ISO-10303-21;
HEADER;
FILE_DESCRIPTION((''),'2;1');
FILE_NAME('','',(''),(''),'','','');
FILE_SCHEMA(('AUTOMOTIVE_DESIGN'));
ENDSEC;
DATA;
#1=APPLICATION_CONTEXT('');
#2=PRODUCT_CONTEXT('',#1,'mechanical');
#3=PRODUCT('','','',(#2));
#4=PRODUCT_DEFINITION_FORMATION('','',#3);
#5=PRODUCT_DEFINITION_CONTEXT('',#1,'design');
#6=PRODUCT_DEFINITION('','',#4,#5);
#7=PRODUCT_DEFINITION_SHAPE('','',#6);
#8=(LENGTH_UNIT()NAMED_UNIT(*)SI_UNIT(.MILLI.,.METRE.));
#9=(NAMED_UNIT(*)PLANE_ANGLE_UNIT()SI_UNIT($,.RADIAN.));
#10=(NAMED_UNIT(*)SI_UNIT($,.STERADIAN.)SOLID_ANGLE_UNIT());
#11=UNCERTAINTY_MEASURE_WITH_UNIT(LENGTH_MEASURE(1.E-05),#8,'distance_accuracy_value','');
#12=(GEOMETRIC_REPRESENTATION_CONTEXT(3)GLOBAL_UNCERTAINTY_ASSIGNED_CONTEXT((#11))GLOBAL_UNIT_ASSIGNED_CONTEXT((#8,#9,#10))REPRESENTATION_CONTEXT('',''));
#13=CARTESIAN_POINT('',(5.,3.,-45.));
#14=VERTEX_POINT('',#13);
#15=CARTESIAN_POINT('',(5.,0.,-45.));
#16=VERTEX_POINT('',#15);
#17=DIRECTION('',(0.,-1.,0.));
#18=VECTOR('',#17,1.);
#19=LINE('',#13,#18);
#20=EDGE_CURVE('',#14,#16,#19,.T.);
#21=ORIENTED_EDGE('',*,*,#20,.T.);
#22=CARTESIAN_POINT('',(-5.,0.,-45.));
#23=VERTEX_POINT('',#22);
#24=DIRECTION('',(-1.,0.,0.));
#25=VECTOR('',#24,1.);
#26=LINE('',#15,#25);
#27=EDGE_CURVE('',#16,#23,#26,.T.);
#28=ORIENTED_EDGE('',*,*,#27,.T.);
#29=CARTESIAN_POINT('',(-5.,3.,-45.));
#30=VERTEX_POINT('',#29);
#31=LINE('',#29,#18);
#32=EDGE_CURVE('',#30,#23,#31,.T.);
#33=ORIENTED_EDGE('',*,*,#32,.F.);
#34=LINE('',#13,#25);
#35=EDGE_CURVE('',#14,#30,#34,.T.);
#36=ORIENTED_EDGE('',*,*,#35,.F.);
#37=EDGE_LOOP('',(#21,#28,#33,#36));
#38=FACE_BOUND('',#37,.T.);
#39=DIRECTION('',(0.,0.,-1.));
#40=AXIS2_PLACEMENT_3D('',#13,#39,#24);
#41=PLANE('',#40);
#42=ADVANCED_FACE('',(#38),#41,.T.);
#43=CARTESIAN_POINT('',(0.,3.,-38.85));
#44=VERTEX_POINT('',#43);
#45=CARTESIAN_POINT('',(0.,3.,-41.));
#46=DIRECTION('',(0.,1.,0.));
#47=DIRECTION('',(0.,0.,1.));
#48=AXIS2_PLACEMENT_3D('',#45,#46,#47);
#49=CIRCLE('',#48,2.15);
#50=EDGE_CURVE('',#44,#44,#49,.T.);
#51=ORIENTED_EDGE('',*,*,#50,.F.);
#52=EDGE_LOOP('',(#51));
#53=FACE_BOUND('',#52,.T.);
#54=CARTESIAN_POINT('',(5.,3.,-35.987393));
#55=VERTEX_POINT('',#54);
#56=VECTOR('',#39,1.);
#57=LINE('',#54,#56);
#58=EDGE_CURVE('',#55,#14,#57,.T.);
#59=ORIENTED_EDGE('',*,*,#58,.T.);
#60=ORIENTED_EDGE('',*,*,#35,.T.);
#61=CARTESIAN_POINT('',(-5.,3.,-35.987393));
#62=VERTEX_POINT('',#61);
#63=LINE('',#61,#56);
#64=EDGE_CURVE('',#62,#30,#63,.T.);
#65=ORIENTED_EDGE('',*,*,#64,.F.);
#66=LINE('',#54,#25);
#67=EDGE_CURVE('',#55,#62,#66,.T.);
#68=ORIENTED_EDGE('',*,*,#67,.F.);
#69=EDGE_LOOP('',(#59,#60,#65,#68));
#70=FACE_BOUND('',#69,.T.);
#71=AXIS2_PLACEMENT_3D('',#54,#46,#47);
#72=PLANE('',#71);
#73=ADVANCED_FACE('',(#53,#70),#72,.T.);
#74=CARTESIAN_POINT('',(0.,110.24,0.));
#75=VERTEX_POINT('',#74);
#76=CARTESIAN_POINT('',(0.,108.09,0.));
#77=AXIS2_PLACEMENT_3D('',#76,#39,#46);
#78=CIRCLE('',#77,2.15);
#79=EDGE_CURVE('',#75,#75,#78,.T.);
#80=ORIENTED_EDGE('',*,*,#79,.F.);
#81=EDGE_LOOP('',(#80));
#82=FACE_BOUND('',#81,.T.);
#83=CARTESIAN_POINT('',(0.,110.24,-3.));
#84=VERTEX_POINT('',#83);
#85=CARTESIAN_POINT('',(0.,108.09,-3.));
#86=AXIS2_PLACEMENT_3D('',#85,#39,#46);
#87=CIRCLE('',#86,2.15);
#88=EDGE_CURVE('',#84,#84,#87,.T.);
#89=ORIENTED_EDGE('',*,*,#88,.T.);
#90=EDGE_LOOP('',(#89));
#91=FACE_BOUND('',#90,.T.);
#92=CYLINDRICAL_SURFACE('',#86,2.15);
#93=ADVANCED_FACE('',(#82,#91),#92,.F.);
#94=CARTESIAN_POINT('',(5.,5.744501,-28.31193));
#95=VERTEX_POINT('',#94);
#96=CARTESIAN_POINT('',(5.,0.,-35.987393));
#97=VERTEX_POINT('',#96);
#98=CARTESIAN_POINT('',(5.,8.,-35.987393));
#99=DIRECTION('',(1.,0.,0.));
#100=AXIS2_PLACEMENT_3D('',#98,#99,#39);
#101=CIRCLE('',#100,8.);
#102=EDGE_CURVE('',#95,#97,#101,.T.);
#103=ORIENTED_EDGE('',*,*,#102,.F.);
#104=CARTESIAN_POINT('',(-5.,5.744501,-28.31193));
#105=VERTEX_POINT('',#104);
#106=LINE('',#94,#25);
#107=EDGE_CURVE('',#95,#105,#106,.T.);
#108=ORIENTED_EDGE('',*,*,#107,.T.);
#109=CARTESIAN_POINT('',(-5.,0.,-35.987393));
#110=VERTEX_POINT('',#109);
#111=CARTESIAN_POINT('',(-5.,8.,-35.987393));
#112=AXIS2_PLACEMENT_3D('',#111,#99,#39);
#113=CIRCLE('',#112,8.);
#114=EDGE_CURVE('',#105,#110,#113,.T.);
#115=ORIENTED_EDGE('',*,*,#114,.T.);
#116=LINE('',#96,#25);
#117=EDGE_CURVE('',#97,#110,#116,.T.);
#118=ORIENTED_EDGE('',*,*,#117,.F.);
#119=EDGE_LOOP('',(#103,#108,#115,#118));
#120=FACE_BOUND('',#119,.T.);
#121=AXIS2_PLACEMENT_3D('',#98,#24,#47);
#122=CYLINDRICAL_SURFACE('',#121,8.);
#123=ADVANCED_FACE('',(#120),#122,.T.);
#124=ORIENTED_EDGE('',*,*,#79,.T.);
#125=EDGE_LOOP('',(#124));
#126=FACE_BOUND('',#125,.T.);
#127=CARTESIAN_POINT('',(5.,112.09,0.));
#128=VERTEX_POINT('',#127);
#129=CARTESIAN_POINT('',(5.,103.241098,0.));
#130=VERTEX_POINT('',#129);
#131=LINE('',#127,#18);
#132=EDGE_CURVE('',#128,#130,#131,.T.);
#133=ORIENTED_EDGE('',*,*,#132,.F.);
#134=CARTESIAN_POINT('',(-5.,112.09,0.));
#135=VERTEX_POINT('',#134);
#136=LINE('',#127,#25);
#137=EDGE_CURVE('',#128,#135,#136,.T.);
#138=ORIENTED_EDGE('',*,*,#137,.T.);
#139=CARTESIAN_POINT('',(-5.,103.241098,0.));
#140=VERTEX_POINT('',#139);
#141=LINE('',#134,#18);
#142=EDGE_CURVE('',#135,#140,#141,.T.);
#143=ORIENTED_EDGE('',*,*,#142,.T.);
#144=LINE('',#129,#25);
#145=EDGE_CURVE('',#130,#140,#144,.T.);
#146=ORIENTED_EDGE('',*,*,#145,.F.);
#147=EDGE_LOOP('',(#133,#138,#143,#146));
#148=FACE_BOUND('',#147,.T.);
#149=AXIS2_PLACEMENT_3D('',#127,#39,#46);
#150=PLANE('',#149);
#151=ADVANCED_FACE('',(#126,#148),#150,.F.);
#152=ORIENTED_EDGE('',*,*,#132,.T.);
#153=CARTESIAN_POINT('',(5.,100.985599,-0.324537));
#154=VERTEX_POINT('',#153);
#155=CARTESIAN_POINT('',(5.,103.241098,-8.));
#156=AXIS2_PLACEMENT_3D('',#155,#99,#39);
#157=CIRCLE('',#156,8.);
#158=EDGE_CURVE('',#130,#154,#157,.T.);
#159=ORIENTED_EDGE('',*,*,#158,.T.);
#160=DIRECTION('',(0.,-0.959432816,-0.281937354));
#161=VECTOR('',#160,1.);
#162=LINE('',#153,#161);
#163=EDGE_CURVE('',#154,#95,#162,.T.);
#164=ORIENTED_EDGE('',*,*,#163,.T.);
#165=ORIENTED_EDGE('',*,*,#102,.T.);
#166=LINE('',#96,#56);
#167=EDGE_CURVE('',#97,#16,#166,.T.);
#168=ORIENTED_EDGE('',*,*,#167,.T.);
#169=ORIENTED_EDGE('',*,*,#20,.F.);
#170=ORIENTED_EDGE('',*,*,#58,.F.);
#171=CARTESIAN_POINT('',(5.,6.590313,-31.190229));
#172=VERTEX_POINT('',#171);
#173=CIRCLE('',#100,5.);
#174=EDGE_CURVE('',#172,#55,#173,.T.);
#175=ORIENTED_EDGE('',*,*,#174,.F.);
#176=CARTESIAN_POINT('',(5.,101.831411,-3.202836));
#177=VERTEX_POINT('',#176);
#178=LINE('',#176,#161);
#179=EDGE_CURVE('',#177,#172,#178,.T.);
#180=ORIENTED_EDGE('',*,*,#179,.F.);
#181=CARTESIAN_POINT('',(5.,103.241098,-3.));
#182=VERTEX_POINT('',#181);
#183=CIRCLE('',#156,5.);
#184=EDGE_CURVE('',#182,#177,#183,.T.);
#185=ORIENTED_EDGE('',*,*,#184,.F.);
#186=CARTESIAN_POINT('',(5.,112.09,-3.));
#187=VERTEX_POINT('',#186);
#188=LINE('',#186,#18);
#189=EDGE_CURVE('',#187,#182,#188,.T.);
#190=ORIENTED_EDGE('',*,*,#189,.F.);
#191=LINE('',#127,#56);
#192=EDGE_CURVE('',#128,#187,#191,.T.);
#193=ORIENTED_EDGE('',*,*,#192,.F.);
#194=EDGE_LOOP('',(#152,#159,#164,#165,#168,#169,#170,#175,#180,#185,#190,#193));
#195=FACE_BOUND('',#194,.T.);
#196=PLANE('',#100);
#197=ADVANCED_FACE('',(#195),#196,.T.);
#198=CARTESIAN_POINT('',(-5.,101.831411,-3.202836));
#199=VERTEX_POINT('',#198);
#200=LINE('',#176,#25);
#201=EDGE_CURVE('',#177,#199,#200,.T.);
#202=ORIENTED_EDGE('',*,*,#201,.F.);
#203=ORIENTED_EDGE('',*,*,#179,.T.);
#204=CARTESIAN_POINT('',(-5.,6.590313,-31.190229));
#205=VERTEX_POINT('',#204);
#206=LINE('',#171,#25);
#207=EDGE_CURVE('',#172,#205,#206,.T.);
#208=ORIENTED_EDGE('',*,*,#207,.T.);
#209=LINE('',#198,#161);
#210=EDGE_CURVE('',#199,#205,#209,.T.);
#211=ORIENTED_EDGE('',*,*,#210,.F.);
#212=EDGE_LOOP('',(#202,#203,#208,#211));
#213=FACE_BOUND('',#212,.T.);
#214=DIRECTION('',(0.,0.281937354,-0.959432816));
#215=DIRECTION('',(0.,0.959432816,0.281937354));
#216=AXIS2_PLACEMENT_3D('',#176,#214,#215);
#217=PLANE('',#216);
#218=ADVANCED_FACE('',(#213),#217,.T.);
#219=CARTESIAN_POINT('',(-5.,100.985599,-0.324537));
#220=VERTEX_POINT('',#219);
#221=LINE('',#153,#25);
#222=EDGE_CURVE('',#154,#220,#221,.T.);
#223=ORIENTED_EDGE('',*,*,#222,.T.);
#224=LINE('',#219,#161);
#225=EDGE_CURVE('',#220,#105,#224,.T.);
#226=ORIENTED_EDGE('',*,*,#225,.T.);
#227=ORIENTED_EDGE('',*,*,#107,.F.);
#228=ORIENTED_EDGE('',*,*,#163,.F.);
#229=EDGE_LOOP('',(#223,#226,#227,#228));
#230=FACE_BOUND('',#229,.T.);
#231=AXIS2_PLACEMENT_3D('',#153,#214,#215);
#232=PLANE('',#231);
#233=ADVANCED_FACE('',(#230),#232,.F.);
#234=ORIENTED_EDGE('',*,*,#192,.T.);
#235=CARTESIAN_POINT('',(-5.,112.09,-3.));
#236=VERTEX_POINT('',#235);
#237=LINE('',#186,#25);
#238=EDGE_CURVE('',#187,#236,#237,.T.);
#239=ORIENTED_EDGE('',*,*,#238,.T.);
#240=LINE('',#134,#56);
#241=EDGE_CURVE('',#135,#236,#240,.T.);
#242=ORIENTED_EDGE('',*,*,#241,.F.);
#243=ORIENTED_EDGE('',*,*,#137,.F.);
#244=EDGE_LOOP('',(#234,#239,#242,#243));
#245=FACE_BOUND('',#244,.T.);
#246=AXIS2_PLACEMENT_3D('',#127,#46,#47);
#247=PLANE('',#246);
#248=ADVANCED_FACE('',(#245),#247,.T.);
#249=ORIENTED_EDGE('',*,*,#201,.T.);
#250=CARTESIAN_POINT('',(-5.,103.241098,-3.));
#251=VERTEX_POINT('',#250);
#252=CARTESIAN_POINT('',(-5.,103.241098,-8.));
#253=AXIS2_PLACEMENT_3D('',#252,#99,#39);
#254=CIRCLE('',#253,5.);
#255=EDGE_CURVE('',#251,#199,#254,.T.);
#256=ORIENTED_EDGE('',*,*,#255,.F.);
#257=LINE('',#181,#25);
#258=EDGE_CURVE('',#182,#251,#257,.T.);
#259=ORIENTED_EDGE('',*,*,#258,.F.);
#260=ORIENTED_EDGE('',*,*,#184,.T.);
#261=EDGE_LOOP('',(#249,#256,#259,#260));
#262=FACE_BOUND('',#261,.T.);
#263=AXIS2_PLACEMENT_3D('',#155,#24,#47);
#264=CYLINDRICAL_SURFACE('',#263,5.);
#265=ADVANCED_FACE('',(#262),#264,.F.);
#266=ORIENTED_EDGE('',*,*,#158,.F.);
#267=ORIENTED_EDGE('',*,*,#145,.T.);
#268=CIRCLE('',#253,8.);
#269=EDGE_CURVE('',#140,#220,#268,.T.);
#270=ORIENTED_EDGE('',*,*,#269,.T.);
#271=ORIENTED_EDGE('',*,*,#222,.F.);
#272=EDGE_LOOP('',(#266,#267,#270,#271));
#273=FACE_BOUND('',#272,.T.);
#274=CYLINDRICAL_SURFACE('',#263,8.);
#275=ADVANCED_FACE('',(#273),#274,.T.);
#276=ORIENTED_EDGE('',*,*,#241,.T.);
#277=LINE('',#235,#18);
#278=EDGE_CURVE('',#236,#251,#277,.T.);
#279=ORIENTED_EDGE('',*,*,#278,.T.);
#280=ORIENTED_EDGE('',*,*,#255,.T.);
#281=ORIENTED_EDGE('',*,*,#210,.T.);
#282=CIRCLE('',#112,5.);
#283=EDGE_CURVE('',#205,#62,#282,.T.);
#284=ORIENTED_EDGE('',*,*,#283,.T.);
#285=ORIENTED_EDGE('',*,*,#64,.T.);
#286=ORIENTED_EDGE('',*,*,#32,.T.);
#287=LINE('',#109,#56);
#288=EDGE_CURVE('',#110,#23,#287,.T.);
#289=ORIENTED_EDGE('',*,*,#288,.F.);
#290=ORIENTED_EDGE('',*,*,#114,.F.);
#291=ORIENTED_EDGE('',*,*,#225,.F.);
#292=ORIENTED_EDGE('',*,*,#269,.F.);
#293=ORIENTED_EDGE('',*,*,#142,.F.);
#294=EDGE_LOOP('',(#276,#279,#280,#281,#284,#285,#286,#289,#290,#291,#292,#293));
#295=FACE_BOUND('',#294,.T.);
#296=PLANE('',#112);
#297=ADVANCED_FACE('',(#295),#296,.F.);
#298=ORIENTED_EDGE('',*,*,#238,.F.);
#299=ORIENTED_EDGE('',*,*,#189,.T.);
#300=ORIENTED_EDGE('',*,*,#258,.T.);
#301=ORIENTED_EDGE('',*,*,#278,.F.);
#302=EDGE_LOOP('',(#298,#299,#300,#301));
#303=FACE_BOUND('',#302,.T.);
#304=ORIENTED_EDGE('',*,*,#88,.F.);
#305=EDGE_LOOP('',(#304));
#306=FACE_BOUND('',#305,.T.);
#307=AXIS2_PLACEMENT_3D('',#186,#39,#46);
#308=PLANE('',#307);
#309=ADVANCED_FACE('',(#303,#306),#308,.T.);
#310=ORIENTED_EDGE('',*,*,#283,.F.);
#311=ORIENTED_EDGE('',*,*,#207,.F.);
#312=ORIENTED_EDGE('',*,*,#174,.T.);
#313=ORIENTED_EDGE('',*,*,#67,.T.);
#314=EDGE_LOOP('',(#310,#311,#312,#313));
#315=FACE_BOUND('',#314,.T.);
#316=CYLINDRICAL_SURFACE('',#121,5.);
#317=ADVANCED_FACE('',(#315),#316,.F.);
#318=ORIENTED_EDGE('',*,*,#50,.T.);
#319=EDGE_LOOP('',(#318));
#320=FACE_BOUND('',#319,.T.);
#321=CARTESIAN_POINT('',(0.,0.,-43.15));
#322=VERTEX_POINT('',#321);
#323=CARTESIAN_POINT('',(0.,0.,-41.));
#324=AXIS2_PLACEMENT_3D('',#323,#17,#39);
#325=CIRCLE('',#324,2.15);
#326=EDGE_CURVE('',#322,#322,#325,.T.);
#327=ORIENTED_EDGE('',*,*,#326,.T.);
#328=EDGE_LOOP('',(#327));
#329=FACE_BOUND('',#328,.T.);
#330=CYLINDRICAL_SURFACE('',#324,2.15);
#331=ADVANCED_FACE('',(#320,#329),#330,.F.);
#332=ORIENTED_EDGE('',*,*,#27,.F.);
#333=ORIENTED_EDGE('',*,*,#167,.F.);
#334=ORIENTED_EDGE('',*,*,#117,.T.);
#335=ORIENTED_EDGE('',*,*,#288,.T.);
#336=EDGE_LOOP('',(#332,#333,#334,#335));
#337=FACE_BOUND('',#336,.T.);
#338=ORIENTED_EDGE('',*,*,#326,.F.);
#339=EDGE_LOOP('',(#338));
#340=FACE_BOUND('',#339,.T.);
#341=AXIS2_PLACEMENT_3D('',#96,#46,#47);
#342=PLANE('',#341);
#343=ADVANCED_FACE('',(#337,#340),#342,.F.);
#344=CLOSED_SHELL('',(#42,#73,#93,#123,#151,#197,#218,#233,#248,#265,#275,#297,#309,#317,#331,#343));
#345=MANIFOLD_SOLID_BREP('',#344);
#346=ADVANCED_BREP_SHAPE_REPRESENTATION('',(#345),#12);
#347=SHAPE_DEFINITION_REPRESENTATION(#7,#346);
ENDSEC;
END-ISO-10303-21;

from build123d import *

# Parameters (mm, degrees)
EXTRUDE_1_DEPTH    = 5
HOLE_WIZARD_M4_1_D = 4.3
HOLE_WIZARD_M4_2_D = 4.3


with BuildPart() as part:
    # 草图1 → 拉伸-薄壁1 (new, symmetric)
    with BuildSketch(Plane(origin=(0, 0, 0), x_dir=(0, 0, -1), z_dir=(1, 0, 0))):
        with BuildLine():
            Line((0, 112.09), (0, 103.241097815))
            ThreePointArc((0, 103.241097815), (0.081550018, 102.101734006), (0.324537472, 100.985598982))
            Line((0.324537472, 100.985598982), (28.311930306, 5.744501167))
            ThreePointArc((28.311930306, 5.744501167), (31.193855031, 1.595158446), (35.987392834, 0))
            Line((35.987392834, 0), (45, 0))
            Line((45, 0), (45, 3))
            Line((45, 3), (35.987392834, 3))
            ThreePointArc((35.987392834, 3), (32.991431707, 3.996974029), (31.190228754, 6.59031323))
            Line((31.190228754, 6.59031323), (3.20283592, 101.831411044))
            ThreePointArc((3.20283592, 101.831411044), (3.050968761, 102.528995434), (3, 103.241097815))
            Line((3, 103.241097815), (3, 112.09))
            Line((3, 112.09), (0, 112.09))
        make_face()
    extrude(amount=EXTRUDE_1_DEPTH, both=True)

    # M4 间隙孔1 (through all)
    with Locations(Plane(origin=(0, 0, -3), x_dir=(-1, 0, 0), z_dir=(0, 0, -1))):
        with Locations((0, 108.09)):
            Hole(HOLE_WIZARD_M4_1_D / 2)

    # M4 间隙孔2 (through all)
    with Locations(Plane(origin=(0, 0, 0), x_dir=(-1, 0, 0), z_dir=(0, -1, 0))):
        with Locations((0, 41)):
            Hole(HOLE_WIZARD_M4_2_D / 2)


solid = part.part
